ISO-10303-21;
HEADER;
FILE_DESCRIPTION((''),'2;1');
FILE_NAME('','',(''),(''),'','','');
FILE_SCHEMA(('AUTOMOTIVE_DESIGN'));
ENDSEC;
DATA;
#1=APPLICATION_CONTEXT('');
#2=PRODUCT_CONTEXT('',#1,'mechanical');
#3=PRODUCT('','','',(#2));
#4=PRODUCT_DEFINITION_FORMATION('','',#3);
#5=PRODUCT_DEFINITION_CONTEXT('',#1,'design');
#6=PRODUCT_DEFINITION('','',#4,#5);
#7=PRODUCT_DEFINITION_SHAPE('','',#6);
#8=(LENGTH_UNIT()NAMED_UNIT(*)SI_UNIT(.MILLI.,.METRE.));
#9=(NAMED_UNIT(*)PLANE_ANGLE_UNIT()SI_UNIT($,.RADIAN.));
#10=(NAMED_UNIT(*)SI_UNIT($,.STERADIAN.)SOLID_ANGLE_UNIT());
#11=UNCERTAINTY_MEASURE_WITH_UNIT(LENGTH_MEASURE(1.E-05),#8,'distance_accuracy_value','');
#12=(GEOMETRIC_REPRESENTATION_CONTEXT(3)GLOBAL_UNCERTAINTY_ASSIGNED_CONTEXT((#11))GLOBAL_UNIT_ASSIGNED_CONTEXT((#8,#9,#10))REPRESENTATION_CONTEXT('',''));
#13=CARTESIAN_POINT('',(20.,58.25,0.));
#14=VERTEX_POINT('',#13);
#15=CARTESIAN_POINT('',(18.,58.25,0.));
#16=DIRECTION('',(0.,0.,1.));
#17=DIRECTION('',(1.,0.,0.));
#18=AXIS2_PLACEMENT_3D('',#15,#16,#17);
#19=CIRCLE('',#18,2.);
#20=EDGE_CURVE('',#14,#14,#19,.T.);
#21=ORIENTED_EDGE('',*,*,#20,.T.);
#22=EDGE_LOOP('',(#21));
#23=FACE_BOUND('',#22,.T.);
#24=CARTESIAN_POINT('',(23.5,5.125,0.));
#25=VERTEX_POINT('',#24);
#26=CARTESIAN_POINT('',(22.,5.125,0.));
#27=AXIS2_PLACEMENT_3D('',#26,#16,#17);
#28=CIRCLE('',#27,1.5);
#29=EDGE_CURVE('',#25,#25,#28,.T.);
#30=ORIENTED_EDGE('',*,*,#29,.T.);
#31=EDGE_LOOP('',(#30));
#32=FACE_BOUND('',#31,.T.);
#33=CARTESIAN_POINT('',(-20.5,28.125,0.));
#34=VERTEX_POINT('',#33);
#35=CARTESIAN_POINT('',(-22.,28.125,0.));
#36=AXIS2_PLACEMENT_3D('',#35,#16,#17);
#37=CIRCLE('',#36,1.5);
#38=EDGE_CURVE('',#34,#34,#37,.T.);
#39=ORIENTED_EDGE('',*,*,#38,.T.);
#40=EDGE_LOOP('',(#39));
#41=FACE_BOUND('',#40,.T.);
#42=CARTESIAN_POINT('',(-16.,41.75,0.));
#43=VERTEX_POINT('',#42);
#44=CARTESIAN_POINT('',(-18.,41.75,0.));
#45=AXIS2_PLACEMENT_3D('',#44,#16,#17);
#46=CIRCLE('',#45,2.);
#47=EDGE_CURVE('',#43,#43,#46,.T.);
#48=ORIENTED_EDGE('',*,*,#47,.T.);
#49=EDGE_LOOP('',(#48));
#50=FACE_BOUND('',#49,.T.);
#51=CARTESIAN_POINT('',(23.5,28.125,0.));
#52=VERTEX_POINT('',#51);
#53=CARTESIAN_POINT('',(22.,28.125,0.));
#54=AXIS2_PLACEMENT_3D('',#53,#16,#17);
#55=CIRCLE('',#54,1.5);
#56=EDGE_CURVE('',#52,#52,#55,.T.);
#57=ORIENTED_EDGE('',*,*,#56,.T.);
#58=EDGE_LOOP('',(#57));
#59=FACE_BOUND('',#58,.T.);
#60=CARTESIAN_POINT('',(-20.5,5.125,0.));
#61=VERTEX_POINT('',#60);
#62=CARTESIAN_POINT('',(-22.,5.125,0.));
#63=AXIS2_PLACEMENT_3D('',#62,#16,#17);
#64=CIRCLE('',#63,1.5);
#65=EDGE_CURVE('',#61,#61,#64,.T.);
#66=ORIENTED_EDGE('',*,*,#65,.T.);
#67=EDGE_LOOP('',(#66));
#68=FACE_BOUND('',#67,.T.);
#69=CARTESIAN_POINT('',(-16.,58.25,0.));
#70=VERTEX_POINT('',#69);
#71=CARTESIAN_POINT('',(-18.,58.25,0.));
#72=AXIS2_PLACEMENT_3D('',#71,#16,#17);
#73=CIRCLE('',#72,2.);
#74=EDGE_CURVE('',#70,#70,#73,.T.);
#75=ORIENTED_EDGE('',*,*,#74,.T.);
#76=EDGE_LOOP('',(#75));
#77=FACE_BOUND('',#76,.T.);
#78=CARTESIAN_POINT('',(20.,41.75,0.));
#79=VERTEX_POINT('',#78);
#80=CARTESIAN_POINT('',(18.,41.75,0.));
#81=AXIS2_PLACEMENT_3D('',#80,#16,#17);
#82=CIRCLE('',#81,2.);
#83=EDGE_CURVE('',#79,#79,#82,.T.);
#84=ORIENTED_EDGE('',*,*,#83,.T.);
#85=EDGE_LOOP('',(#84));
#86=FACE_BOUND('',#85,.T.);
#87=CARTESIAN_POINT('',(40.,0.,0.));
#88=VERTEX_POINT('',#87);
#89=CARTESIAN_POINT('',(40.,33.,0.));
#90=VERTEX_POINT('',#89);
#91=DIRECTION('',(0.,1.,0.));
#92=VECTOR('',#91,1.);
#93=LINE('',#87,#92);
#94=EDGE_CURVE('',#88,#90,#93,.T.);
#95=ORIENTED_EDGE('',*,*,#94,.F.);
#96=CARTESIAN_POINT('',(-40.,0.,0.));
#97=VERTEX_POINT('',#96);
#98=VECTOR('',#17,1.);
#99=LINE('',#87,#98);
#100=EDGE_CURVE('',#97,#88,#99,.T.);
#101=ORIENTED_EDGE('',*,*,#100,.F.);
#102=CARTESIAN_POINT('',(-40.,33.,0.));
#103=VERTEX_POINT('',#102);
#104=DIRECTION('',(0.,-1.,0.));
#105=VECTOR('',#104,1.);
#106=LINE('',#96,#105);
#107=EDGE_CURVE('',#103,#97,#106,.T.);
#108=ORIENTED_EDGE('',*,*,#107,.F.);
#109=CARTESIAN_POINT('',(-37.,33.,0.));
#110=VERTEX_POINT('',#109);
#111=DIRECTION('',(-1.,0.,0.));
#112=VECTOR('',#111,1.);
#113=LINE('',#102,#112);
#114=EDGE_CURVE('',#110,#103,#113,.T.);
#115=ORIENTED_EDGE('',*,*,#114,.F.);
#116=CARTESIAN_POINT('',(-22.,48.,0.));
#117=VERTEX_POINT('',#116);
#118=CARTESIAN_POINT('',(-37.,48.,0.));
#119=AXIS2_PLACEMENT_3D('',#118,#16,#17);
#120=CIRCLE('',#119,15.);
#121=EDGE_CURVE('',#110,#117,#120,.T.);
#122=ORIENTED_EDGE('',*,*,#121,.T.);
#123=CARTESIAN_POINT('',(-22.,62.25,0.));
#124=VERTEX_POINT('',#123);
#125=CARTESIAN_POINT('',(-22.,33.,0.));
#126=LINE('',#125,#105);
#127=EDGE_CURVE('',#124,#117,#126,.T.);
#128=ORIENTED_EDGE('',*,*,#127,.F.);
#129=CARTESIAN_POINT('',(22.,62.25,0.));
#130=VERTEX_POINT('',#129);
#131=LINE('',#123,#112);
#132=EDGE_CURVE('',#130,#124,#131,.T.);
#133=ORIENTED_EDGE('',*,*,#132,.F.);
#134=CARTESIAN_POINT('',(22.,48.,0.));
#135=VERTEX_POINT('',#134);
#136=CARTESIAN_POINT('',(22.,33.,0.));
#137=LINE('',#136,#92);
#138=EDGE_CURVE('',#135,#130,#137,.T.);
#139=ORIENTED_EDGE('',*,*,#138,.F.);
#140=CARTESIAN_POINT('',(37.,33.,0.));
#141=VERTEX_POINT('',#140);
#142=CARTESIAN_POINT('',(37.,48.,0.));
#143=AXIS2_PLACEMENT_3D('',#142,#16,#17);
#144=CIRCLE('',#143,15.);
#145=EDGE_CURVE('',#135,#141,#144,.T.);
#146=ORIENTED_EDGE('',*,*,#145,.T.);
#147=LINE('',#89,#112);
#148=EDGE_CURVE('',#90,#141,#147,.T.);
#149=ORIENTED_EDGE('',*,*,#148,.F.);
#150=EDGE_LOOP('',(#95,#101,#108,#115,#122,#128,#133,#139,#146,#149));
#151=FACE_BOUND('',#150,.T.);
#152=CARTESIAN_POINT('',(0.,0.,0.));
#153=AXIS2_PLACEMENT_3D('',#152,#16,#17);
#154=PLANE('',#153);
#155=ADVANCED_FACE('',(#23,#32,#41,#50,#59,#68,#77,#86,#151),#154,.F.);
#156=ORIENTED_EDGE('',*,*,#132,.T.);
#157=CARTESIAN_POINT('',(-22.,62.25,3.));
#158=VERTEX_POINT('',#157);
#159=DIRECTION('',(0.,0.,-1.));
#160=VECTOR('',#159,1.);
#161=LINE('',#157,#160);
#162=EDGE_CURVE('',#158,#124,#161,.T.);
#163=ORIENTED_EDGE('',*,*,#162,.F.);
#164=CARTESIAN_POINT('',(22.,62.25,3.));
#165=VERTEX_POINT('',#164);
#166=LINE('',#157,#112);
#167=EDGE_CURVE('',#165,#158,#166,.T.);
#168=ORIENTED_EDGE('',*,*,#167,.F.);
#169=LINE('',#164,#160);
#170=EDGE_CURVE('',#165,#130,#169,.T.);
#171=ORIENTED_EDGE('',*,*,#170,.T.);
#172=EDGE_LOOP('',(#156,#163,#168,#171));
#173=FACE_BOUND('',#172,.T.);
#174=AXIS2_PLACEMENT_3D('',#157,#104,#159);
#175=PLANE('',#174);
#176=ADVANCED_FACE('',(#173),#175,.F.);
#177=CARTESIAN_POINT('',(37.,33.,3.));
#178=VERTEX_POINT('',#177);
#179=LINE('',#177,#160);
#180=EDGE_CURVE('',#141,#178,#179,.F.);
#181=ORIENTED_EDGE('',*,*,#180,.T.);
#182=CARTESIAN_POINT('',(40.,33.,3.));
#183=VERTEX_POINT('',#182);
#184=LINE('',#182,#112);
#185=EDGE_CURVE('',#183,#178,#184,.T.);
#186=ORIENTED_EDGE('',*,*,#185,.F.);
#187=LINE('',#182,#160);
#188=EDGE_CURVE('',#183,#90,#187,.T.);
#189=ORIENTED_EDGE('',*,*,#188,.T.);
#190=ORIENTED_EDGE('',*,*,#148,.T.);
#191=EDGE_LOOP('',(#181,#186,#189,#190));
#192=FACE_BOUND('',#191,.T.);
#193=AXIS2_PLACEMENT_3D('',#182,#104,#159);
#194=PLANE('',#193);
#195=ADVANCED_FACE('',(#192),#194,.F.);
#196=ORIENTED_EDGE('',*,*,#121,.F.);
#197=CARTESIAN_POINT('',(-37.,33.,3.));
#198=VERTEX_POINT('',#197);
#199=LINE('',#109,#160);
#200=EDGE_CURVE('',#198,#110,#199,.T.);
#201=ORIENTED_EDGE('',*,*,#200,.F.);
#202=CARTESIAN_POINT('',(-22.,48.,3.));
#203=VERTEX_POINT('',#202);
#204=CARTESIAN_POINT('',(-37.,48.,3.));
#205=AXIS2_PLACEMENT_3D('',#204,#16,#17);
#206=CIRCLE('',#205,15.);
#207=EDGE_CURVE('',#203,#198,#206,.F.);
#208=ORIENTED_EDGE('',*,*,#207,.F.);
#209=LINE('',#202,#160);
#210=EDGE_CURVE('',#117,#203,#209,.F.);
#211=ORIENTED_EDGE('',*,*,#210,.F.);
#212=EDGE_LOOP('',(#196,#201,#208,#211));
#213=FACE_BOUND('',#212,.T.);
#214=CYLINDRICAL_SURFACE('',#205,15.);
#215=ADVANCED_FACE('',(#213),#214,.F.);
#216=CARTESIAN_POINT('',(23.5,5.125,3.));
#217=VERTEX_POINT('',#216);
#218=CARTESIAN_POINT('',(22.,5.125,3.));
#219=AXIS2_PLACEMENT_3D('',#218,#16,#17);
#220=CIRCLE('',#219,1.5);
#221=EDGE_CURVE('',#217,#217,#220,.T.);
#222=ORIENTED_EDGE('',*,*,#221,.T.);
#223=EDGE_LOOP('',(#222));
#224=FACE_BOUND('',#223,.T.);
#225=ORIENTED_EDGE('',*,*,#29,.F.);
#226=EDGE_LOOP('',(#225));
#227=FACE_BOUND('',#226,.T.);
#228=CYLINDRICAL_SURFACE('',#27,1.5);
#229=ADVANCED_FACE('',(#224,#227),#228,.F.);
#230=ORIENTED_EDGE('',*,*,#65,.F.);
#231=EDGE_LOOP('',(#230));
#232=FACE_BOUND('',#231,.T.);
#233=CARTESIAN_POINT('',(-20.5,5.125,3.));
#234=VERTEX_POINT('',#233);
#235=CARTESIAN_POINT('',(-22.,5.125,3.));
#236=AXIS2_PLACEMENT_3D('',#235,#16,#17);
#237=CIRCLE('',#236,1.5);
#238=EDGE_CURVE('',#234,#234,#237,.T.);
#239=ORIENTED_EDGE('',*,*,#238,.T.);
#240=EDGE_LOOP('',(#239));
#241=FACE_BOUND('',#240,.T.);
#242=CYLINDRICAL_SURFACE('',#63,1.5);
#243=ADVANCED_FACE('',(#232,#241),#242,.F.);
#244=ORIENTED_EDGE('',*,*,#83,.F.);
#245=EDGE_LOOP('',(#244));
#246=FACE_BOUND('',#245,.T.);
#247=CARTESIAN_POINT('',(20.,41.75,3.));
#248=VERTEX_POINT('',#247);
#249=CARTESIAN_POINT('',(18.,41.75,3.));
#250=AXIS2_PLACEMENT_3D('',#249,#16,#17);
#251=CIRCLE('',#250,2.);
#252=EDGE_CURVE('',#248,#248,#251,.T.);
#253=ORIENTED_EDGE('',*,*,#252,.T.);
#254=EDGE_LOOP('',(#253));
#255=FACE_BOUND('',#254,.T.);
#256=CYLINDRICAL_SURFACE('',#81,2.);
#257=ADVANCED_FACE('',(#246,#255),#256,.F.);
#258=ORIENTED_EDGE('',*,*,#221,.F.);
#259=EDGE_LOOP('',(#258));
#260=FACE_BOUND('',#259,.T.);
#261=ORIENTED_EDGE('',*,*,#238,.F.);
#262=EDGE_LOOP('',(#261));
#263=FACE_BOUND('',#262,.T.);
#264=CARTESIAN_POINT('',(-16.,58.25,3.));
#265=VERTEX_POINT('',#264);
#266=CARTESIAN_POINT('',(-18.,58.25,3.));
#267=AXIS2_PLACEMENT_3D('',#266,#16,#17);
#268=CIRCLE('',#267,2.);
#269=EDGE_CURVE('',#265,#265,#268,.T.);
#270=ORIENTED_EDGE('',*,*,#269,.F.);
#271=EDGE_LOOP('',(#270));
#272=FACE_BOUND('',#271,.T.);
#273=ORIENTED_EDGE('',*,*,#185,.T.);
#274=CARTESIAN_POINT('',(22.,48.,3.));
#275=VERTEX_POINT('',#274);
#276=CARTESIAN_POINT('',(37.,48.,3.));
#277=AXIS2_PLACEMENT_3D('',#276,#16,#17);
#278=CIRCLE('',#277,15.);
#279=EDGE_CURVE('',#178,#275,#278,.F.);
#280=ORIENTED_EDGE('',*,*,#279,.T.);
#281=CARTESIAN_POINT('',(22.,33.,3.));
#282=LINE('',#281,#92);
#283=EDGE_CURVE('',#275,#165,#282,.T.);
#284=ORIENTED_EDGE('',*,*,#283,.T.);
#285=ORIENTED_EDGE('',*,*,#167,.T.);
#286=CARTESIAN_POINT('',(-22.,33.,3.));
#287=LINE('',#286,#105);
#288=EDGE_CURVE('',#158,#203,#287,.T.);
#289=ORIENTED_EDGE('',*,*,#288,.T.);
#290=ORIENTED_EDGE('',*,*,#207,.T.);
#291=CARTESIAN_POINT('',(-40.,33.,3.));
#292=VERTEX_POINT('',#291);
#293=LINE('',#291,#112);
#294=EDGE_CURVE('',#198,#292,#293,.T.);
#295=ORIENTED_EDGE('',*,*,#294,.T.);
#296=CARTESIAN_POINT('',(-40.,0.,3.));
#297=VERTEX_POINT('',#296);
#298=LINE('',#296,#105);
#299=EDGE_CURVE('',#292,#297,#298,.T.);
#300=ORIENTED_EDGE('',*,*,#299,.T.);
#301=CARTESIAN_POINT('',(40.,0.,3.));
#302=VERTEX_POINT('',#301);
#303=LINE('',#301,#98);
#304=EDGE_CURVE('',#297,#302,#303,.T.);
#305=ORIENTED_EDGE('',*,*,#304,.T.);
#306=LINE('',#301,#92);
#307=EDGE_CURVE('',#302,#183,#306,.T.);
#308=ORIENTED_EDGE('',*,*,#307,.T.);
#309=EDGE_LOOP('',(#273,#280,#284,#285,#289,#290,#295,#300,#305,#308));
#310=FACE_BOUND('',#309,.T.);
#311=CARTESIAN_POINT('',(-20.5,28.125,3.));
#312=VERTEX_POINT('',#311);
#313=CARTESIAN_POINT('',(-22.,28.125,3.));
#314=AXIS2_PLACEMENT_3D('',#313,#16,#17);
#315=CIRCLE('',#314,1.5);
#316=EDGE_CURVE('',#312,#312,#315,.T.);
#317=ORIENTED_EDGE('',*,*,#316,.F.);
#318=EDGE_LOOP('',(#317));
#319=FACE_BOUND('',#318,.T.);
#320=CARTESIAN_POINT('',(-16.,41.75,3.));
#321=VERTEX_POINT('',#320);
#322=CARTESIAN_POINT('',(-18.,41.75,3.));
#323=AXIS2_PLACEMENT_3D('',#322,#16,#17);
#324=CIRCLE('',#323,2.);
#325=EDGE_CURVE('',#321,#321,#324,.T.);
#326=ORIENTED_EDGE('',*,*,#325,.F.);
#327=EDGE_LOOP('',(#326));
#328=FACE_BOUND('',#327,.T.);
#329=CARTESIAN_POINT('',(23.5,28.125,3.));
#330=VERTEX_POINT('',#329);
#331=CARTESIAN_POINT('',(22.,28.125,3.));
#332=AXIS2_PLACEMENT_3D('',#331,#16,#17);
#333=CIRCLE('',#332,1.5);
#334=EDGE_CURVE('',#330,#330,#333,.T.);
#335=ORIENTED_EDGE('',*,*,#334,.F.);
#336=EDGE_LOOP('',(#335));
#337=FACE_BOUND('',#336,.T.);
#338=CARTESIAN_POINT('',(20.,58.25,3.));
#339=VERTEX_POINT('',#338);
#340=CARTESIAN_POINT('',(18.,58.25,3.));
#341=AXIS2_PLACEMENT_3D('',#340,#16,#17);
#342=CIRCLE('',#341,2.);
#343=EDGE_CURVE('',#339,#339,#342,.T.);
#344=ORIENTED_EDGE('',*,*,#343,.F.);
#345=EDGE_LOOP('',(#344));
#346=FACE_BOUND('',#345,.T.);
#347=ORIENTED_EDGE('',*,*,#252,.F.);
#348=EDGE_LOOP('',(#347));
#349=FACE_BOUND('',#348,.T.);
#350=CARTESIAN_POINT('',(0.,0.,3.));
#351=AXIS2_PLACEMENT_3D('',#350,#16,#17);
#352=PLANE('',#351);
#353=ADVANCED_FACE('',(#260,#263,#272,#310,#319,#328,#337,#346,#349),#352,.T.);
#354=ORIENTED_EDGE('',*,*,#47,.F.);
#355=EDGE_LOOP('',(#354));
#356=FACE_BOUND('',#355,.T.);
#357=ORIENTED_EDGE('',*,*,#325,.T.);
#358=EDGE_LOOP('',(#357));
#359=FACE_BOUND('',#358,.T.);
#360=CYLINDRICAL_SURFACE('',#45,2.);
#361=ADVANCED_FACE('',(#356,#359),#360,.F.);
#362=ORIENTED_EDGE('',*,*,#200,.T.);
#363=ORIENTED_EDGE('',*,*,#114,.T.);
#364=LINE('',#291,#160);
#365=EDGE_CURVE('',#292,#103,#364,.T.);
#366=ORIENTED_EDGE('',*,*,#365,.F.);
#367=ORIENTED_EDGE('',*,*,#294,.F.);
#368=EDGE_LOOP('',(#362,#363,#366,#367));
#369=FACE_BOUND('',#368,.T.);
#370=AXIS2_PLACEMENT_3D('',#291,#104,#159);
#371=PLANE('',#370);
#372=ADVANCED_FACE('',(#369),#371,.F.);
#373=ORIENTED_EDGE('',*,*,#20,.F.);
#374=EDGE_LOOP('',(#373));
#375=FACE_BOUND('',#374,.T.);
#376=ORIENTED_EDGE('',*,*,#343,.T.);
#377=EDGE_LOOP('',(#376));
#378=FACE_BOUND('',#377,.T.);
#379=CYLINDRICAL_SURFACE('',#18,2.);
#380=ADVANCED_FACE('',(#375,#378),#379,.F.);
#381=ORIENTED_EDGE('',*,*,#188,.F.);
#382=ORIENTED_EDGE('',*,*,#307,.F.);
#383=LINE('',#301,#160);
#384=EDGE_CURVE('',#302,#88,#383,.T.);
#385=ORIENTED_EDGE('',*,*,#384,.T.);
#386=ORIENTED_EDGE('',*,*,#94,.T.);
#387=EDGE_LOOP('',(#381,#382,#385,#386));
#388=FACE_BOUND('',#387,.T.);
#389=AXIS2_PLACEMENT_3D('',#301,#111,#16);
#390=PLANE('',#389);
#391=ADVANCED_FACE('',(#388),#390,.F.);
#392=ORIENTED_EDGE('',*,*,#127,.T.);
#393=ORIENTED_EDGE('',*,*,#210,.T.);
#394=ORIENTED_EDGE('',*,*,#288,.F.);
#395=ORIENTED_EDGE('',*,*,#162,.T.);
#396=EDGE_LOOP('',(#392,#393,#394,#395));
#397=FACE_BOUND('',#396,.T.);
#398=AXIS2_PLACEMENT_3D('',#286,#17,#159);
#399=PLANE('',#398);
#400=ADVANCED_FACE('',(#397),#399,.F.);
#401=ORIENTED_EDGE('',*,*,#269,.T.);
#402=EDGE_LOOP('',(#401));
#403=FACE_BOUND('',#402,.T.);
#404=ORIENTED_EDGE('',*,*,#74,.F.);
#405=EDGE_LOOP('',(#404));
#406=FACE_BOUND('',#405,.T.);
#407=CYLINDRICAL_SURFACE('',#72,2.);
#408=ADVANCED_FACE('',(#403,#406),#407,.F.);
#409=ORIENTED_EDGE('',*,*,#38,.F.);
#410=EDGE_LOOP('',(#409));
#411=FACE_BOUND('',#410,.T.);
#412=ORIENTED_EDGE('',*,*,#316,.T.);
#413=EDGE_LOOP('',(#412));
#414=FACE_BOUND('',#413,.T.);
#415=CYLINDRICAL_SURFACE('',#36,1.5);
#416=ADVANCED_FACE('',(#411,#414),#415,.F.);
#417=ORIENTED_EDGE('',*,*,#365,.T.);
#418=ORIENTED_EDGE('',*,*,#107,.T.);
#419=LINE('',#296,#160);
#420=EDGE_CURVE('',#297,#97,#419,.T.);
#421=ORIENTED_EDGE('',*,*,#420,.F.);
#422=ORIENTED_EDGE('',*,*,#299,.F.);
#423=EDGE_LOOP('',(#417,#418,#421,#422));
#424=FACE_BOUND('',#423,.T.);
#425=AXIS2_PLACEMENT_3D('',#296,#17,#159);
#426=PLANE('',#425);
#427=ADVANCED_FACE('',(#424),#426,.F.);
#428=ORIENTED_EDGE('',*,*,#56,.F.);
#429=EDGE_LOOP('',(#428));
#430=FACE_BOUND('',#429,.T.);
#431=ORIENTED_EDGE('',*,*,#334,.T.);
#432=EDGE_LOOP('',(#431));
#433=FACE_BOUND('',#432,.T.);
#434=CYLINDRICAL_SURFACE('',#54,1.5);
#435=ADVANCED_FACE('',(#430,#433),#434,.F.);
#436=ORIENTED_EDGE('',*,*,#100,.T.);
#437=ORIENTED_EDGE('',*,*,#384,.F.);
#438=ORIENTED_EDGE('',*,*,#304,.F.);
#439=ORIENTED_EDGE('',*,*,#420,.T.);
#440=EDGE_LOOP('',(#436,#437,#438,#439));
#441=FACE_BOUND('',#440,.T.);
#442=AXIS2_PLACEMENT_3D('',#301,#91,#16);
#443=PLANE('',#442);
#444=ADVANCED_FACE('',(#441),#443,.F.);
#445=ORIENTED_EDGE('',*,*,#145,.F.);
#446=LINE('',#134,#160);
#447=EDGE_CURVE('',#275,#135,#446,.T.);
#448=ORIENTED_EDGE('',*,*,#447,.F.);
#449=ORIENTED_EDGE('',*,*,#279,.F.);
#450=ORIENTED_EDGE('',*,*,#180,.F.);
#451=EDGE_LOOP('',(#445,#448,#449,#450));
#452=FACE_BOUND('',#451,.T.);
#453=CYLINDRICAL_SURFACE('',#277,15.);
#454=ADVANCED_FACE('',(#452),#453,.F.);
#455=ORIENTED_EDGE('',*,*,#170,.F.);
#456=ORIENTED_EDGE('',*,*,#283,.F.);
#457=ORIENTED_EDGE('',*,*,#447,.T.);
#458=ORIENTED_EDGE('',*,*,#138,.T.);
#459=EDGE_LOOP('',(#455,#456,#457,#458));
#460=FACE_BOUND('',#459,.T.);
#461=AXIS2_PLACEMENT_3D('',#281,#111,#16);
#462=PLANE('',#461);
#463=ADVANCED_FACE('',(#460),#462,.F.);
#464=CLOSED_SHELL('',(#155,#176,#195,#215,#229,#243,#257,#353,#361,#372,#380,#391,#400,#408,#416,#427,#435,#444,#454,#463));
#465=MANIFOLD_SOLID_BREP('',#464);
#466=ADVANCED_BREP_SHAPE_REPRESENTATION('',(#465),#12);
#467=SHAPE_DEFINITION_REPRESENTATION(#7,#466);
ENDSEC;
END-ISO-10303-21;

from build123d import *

# Parameters (mm, degrees)
EXTRUDE_1_DEPTH     = 3
SKETCH_2_R          = 2
CUT_EXTRUDE_1_DEPTH = 75.054456314
SKETCH_3_R          = 1.5
CUT_EXTRUDE_2_DEPTH = 75.054456314
FILLET_1_R          = 15


with BuildPart() as part:
    # 草图1 → 凸台-拉伸1 (new body)
    with BuildSketch(Plane.XY):
        Polygon((40, 0), (-40, 0), (-40, 33), (-22, 33), (-22, 62.25), (22, 62.25), (22, 33), (40, 33), align=None)
    extrude(amount=EXTRUDE_1_DEPTH)

    # 草图2 → 切除-拉伸1 (cut, through all)
    with BuildSketch(Plane.XY.offset(3)):
        with Locations((-18, 58.25)):
            Circle(SKETCH_2_R)
        with Locations((-18, 41.75)):
            Circle(SKETCH_2_R)
        with Locations((18, 41.75)):
            Circle(SKETCH_2_R)
        with Locations((18, 58.25)):
            Circle(SKETCH_2_R)
    extrude(amount=-CUT_EXTRUDE_1_DEPTH, mode=Mode.SUBTRACT)

    # 草图3 → 切除-拉伸2 (cut, through all)
    with BuildSketch(Plane.XY.offset(3)):
        with Locations((-22, 28.125)):
            Circle(SKETCH_3_R)
        with Locations((22, 28.125)):
            Circle(SKETCH_3_R)
        with Locations((22, 5.125)):
            Circle(SKETCH_3_R)
        with Locations((-22, 5.125)):
            Circle(SKETCH_3_R)
    extrude(amount=-CUT_EXTRUDE_2_DEPTH, mode=Mode.SUBTRACT)

    # 圆角1
    fillet_1_edges = [part.edges().sort_by_distance(p)[0] for p in [
        (-22, 33, 1.5),
        (22, 33, 1.5),
    ]]
    fillet(fillet_1_edges, radius=FILLET_1_R)


solid = part.part
